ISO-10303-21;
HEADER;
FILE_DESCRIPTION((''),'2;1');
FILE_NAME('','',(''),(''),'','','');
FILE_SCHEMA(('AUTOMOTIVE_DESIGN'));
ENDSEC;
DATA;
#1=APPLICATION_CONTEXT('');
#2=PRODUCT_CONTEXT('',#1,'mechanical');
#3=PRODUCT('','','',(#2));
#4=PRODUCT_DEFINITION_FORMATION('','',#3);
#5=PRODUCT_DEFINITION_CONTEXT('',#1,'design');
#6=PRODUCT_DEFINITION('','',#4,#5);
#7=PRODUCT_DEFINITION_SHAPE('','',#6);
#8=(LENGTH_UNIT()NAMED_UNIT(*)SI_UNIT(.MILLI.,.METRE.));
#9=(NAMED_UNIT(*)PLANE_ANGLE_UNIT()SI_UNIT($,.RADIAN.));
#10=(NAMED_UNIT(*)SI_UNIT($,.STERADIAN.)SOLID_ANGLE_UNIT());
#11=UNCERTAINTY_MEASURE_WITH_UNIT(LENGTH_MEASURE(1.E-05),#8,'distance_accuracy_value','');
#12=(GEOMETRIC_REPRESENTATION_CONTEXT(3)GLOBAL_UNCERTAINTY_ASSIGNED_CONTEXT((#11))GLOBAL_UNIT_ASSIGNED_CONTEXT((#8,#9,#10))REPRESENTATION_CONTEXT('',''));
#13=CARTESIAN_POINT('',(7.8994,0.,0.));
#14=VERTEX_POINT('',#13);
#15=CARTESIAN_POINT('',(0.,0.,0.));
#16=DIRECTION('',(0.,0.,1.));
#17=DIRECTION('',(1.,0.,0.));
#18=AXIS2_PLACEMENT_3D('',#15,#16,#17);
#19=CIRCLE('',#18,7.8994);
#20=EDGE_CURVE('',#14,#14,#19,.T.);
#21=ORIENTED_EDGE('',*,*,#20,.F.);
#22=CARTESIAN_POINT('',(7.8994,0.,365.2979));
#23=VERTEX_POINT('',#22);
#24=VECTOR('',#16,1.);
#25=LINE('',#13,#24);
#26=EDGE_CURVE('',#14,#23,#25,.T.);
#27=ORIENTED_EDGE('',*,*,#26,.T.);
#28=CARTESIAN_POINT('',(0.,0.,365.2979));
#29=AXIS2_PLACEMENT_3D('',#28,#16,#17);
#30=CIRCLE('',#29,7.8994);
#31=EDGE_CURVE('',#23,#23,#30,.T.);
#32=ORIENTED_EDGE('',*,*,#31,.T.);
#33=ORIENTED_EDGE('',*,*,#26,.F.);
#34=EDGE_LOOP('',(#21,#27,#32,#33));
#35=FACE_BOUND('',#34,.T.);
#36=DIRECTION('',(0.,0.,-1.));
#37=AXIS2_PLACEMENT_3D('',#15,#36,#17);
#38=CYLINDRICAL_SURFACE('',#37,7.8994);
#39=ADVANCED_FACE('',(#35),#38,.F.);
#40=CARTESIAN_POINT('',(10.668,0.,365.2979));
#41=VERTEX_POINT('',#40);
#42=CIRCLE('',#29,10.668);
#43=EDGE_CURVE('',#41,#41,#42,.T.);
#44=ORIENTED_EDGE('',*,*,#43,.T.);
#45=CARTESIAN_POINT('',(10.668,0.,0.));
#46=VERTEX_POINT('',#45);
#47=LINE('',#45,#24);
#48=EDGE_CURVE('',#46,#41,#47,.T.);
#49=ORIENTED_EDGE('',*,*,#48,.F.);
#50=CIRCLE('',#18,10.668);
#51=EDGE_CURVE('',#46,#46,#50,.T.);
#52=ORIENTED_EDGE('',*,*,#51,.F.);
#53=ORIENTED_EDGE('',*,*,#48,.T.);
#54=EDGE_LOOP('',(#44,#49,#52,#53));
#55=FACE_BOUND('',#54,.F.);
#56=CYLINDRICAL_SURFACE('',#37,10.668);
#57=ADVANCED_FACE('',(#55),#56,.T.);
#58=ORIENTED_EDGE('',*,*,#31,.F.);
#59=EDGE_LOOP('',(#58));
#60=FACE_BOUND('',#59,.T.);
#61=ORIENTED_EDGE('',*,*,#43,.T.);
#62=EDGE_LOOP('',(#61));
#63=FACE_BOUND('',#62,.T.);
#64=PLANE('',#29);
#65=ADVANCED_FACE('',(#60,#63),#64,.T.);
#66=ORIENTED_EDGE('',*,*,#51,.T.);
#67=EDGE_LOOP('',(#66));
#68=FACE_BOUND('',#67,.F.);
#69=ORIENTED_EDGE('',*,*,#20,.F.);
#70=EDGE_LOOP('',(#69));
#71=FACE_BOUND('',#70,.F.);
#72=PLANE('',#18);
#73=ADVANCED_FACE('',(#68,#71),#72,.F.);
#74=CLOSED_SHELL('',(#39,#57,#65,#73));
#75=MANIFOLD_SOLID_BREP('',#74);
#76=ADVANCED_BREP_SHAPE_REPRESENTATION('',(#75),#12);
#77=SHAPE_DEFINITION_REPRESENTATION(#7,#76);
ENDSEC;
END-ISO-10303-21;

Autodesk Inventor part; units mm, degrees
ref_plane "YZ Plane" through (0, 0, 0) normal (1, 0, 0) x (0, 1, 0)
ref_plane "Start Plane" through (0, 0, 0) normal (0, 0, 1) x (1, 0, 0)
ref_plane "End Plane" through (0, 0, 365.2979) normal (0, 0, 1) x (1, 0, 0)
sketch "Sketch" plane through (0, 0, 0) normal (0, 0, 1) x (1, 0, 0)
  circle A0 centre (0, 0) radius 7.8994
  circle A1 centre (0, 0) radius 10.668
  dimension "d0" = 21.336
  dimension "d1" = 2.7686
extrude "Body" add sketch "Sketch" along normal up to surface (365.2979 mm away) from surface at 0
sketch "Sketch3" plane through (0, 0, 0) normal (0, 0, 1) x (1, 0, 0)
  line L0 (0, 0) -> (10, 0)
ref_plane "Work Plane3" through (0, 0, 0) normal (0, -1, 0) x (1, 0, 0)
sketch "Sketch4" plane through (0, 0, 0) normal (0, -1, 0) x (1, 0, 0)
  line L0 (-2, 0) -> (12, 0) projected
  line L1 (-2, 365.2979) -> (12, 365.2979) projected
  dimension "d7" = 365.2979
equation "\"d0\" = G_H"
equation "\"d1\" = G_T"
equation "\"d2\" = G_L"
equation "\"G_H\" = 21.336"
equation "\"G_T\" = 2.7686"
equation "\"G_L\" = d7"
equation "\"G_OFFSET_START\" = 0"
equation "\"G_OFFSET_END\" = 0"
equation "\"d5\" = G_OFFSET_END + B_L"
equation "\"B_L\" = 365.29788"
properties part number "ANSI - 1/2 x 0.109 - 14.382" material "Steel, Mild"
